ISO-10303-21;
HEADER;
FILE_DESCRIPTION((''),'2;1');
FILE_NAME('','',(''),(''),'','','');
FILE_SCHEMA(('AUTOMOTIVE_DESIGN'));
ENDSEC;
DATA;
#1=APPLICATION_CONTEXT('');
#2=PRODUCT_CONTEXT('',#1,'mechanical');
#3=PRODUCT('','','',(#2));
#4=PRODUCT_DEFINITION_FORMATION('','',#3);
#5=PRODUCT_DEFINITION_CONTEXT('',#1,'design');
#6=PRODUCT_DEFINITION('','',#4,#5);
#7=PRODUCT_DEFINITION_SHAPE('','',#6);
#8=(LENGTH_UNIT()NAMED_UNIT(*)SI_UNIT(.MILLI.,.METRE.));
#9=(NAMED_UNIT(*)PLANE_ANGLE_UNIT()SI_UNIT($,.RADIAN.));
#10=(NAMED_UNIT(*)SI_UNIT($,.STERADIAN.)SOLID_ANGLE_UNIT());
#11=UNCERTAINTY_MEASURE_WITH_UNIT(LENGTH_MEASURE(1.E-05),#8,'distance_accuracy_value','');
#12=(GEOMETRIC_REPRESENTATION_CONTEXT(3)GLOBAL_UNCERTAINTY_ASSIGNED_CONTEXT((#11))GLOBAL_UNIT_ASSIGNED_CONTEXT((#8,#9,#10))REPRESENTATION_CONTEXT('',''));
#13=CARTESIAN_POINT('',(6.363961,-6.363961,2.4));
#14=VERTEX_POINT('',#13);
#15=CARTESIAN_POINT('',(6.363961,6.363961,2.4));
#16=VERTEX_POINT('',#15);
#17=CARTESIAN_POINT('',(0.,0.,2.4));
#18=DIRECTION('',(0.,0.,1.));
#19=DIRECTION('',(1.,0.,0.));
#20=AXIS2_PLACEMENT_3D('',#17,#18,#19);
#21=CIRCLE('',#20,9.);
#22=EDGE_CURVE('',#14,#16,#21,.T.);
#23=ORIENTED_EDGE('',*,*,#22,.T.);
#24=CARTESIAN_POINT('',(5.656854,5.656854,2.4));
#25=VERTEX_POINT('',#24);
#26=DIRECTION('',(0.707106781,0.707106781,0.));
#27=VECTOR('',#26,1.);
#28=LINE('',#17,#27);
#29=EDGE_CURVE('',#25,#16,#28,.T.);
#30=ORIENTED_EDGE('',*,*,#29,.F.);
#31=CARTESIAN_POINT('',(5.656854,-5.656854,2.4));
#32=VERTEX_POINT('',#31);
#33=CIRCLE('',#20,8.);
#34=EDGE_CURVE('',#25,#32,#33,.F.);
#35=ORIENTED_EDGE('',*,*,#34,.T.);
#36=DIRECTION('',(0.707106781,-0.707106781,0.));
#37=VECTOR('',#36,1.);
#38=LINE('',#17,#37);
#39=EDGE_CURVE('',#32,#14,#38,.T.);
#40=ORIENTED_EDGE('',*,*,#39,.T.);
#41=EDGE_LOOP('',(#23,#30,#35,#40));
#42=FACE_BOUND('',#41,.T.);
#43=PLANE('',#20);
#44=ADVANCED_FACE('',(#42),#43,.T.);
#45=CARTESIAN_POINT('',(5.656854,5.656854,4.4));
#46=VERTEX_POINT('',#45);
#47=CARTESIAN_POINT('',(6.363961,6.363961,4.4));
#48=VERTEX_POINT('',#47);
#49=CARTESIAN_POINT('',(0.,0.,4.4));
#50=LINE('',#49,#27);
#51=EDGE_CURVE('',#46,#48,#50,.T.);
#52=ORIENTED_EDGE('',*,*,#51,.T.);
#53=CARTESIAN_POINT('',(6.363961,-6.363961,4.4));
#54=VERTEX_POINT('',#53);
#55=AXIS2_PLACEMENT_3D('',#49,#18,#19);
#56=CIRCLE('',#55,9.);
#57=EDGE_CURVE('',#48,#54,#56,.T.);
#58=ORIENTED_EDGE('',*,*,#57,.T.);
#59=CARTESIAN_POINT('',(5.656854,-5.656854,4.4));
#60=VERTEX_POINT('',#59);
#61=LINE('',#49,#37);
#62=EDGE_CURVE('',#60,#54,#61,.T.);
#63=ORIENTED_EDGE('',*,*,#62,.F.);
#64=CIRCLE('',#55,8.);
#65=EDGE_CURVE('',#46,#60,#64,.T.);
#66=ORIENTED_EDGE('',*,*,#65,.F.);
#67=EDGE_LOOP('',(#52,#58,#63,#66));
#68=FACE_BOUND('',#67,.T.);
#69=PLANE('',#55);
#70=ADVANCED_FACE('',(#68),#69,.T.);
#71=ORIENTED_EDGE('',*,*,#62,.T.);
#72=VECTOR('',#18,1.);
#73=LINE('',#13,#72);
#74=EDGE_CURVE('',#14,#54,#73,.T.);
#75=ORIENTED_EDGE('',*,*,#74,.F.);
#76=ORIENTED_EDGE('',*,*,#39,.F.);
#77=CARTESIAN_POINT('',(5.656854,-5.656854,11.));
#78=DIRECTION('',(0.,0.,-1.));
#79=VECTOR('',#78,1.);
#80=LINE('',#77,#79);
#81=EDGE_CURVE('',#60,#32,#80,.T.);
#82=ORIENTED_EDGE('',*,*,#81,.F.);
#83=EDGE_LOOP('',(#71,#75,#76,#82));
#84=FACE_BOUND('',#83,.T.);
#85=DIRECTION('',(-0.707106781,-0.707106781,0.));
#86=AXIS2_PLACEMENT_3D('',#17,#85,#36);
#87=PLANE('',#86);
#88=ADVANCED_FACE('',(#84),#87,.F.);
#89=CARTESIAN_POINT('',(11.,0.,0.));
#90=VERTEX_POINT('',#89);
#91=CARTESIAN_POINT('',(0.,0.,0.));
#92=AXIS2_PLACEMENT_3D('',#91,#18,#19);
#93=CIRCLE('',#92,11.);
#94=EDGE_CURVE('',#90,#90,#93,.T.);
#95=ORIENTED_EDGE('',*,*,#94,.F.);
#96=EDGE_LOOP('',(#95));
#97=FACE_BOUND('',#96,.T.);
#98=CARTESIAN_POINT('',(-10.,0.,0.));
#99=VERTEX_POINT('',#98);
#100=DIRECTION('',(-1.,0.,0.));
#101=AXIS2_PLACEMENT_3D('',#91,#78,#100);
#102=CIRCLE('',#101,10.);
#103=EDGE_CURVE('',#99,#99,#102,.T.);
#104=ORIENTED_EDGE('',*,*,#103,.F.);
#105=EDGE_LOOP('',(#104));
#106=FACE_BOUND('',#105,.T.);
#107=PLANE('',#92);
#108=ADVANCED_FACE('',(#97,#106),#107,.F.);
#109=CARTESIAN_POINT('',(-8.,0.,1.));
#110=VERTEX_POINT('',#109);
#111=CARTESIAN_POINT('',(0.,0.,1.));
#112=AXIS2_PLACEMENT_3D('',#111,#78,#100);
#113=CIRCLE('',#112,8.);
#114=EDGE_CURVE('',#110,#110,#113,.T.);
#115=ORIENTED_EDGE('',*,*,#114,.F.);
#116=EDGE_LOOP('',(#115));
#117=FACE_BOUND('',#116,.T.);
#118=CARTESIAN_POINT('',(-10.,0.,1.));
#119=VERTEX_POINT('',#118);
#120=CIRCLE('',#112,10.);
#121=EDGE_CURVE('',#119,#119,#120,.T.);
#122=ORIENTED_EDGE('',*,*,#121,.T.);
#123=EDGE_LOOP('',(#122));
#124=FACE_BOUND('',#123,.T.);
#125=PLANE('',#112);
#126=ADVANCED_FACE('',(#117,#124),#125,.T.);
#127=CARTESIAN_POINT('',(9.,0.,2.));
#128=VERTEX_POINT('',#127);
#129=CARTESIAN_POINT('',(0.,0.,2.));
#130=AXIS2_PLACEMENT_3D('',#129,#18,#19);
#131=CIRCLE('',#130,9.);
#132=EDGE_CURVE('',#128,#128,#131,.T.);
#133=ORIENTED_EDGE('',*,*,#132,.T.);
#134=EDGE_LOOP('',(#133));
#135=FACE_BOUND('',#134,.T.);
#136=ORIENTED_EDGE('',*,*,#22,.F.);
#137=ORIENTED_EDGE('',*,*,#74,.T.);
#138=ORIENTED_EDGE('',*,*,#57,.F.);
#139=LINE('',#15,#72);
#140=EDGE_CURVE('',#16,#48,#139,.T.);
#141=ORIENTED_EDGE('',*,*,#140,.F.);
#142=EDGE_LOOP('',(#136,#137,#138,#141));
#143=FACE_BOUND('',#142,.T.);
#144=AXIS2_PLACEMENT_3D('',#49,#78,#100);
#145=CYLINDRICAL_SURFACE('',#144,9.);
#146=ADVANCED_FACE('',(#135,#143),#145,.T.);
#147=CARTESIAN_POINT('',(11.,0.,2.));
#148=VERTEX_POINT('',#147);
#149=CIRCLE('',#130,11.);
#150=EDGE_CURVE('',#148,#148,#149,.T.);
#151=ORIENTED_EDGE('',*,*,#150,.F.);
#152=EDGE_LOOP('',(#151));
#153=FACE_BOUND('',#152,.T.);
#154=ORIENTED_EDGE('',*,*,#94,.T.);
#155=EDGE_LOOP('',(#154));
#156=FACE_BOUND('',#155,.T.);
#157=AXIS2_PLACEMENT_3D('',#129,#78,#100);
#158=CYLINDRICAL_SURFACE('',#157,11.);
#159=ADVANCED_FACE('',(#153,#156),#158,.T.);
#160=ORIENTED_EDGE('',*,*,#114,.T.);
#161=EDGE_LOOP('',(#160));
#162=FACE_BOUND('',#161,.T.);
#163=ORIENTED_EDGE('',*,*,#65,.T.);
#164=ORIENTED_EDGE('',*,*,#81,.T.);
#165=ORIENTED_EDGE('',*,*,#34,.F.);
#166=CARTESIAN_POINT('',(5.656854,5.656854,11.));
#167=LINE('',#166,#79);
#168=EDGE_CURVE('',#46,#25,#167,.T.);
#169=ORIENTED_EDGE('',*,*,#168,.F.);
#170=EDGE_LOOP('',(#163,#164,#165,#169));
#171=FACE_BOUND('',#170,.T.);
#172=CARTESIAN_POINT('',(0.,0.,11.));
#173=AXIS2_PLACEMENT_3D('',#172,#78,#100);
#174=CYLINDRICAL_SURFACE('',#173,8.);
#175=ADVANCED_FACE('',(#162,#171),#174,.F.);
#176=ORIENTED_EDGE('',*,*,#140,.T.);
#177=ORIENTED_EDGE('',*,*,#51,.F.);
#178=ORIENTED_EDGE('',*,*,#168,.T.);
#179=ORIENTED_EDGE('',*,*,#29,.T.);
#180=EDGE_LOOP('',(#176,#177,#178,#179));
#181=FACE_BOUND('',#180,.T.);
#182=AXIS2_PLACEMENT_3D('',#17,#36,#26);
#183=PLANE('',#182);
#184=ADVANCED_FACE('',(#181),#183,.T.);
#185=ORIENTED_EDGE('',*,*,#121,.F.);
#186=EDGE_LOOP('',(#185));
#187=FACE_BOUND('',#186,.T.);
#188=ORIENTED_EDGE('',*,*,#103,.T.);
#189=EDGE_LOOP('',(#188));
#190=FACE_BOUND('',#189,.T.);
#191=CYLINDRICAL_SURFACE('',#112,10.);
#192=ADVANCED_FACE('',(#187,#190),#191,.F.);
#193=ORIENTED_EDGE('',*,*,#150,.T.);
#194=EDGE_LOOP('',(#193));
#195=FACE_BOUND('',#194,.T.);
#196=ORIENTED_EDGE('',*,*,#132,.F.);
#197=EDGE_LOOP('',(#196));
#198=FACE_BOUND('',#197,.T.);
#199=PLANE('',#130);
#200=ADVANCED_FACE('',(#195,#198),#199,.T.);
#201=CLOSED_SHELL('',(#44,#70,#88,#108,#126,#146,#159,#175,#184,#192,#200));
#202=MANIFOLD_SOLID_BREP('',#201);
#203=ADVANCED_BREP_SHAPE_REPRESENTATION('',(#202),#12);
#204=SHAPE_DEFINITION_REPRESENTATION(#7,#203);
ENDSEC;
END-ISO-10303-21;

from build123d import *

# Parameters (mm, degrees)
SKETCH_1_R          = 11
EXTRUDE_1_DEPTH     = 2
SKETCH_2_R          = 9
EXTRUDE_2_DEPTH     = 2.4
SKETCH_3_R          = 10
CUT_EXTRUDE_1_DEPTH = 1
SKETCH_4_R          = 8
CUT_EXTRUDE_2_DEPTH = 10
CUT_EXTRUDE_3_DEPTH = 2


with BuildPart() as part:
    # 草图1 → 凸台-拉伸1 (new body)
    with BuildSketch(Plane.XY):
        Circle(SKETCH_1_R)
    extrude(amount=EXTRUDE_1_DEPTH)

    # 草图2 → 凸台-拉伸2 (add)
    with BuildSketch(Plane.XY.offset(2)):
        Circle(SKETCH_2_R)
    extrude(amount=EXTRUDE_2_DEPTH)

    # 草图3 → 切除-拉伸1 (cut)
    with BuildSketch(Plane(origin=(0, 0, 0), x_dir=(-1, 0, 0), z_dir=(0, 0, -1))):
        Circle(SKETCH_3_R)
    extrude(amount=-CUT_EXTRUDE_1_DEPTH, mode=Mode.SUBTRACT)

    # 草图4 → 切除-拉伸2 (cut)
    with BuildSketch(Plane(origin=(0, 0, 1), x_dir=(-1, 0, 0), z_dir=(0, 0, -1))):
        Circle(SKETCH_4_R)
    extrude(amount=-CUT_EXTRUDE_2_DEPTH, mode=Mode.SUBTRACT)

    # 草图5 → 切除-拉伸3 (cut)
    with BuildSketch(Plane.XY.offset(4.4)):
        with BuildLine():
            Line((0, 0), (6.363961031, 6.363961031))
            ThreePointArc((6.363961031, 6.363961031), (9, 0), (6.363961031, -6.363961031))
            Line((6.363961031, -6.363961031), (0, 0))
        make_face()
    extrude(amount=-CUT_EXTRUDE_3_DEPTH, mode=Mode.SUBTRACT)


solid = part.part
